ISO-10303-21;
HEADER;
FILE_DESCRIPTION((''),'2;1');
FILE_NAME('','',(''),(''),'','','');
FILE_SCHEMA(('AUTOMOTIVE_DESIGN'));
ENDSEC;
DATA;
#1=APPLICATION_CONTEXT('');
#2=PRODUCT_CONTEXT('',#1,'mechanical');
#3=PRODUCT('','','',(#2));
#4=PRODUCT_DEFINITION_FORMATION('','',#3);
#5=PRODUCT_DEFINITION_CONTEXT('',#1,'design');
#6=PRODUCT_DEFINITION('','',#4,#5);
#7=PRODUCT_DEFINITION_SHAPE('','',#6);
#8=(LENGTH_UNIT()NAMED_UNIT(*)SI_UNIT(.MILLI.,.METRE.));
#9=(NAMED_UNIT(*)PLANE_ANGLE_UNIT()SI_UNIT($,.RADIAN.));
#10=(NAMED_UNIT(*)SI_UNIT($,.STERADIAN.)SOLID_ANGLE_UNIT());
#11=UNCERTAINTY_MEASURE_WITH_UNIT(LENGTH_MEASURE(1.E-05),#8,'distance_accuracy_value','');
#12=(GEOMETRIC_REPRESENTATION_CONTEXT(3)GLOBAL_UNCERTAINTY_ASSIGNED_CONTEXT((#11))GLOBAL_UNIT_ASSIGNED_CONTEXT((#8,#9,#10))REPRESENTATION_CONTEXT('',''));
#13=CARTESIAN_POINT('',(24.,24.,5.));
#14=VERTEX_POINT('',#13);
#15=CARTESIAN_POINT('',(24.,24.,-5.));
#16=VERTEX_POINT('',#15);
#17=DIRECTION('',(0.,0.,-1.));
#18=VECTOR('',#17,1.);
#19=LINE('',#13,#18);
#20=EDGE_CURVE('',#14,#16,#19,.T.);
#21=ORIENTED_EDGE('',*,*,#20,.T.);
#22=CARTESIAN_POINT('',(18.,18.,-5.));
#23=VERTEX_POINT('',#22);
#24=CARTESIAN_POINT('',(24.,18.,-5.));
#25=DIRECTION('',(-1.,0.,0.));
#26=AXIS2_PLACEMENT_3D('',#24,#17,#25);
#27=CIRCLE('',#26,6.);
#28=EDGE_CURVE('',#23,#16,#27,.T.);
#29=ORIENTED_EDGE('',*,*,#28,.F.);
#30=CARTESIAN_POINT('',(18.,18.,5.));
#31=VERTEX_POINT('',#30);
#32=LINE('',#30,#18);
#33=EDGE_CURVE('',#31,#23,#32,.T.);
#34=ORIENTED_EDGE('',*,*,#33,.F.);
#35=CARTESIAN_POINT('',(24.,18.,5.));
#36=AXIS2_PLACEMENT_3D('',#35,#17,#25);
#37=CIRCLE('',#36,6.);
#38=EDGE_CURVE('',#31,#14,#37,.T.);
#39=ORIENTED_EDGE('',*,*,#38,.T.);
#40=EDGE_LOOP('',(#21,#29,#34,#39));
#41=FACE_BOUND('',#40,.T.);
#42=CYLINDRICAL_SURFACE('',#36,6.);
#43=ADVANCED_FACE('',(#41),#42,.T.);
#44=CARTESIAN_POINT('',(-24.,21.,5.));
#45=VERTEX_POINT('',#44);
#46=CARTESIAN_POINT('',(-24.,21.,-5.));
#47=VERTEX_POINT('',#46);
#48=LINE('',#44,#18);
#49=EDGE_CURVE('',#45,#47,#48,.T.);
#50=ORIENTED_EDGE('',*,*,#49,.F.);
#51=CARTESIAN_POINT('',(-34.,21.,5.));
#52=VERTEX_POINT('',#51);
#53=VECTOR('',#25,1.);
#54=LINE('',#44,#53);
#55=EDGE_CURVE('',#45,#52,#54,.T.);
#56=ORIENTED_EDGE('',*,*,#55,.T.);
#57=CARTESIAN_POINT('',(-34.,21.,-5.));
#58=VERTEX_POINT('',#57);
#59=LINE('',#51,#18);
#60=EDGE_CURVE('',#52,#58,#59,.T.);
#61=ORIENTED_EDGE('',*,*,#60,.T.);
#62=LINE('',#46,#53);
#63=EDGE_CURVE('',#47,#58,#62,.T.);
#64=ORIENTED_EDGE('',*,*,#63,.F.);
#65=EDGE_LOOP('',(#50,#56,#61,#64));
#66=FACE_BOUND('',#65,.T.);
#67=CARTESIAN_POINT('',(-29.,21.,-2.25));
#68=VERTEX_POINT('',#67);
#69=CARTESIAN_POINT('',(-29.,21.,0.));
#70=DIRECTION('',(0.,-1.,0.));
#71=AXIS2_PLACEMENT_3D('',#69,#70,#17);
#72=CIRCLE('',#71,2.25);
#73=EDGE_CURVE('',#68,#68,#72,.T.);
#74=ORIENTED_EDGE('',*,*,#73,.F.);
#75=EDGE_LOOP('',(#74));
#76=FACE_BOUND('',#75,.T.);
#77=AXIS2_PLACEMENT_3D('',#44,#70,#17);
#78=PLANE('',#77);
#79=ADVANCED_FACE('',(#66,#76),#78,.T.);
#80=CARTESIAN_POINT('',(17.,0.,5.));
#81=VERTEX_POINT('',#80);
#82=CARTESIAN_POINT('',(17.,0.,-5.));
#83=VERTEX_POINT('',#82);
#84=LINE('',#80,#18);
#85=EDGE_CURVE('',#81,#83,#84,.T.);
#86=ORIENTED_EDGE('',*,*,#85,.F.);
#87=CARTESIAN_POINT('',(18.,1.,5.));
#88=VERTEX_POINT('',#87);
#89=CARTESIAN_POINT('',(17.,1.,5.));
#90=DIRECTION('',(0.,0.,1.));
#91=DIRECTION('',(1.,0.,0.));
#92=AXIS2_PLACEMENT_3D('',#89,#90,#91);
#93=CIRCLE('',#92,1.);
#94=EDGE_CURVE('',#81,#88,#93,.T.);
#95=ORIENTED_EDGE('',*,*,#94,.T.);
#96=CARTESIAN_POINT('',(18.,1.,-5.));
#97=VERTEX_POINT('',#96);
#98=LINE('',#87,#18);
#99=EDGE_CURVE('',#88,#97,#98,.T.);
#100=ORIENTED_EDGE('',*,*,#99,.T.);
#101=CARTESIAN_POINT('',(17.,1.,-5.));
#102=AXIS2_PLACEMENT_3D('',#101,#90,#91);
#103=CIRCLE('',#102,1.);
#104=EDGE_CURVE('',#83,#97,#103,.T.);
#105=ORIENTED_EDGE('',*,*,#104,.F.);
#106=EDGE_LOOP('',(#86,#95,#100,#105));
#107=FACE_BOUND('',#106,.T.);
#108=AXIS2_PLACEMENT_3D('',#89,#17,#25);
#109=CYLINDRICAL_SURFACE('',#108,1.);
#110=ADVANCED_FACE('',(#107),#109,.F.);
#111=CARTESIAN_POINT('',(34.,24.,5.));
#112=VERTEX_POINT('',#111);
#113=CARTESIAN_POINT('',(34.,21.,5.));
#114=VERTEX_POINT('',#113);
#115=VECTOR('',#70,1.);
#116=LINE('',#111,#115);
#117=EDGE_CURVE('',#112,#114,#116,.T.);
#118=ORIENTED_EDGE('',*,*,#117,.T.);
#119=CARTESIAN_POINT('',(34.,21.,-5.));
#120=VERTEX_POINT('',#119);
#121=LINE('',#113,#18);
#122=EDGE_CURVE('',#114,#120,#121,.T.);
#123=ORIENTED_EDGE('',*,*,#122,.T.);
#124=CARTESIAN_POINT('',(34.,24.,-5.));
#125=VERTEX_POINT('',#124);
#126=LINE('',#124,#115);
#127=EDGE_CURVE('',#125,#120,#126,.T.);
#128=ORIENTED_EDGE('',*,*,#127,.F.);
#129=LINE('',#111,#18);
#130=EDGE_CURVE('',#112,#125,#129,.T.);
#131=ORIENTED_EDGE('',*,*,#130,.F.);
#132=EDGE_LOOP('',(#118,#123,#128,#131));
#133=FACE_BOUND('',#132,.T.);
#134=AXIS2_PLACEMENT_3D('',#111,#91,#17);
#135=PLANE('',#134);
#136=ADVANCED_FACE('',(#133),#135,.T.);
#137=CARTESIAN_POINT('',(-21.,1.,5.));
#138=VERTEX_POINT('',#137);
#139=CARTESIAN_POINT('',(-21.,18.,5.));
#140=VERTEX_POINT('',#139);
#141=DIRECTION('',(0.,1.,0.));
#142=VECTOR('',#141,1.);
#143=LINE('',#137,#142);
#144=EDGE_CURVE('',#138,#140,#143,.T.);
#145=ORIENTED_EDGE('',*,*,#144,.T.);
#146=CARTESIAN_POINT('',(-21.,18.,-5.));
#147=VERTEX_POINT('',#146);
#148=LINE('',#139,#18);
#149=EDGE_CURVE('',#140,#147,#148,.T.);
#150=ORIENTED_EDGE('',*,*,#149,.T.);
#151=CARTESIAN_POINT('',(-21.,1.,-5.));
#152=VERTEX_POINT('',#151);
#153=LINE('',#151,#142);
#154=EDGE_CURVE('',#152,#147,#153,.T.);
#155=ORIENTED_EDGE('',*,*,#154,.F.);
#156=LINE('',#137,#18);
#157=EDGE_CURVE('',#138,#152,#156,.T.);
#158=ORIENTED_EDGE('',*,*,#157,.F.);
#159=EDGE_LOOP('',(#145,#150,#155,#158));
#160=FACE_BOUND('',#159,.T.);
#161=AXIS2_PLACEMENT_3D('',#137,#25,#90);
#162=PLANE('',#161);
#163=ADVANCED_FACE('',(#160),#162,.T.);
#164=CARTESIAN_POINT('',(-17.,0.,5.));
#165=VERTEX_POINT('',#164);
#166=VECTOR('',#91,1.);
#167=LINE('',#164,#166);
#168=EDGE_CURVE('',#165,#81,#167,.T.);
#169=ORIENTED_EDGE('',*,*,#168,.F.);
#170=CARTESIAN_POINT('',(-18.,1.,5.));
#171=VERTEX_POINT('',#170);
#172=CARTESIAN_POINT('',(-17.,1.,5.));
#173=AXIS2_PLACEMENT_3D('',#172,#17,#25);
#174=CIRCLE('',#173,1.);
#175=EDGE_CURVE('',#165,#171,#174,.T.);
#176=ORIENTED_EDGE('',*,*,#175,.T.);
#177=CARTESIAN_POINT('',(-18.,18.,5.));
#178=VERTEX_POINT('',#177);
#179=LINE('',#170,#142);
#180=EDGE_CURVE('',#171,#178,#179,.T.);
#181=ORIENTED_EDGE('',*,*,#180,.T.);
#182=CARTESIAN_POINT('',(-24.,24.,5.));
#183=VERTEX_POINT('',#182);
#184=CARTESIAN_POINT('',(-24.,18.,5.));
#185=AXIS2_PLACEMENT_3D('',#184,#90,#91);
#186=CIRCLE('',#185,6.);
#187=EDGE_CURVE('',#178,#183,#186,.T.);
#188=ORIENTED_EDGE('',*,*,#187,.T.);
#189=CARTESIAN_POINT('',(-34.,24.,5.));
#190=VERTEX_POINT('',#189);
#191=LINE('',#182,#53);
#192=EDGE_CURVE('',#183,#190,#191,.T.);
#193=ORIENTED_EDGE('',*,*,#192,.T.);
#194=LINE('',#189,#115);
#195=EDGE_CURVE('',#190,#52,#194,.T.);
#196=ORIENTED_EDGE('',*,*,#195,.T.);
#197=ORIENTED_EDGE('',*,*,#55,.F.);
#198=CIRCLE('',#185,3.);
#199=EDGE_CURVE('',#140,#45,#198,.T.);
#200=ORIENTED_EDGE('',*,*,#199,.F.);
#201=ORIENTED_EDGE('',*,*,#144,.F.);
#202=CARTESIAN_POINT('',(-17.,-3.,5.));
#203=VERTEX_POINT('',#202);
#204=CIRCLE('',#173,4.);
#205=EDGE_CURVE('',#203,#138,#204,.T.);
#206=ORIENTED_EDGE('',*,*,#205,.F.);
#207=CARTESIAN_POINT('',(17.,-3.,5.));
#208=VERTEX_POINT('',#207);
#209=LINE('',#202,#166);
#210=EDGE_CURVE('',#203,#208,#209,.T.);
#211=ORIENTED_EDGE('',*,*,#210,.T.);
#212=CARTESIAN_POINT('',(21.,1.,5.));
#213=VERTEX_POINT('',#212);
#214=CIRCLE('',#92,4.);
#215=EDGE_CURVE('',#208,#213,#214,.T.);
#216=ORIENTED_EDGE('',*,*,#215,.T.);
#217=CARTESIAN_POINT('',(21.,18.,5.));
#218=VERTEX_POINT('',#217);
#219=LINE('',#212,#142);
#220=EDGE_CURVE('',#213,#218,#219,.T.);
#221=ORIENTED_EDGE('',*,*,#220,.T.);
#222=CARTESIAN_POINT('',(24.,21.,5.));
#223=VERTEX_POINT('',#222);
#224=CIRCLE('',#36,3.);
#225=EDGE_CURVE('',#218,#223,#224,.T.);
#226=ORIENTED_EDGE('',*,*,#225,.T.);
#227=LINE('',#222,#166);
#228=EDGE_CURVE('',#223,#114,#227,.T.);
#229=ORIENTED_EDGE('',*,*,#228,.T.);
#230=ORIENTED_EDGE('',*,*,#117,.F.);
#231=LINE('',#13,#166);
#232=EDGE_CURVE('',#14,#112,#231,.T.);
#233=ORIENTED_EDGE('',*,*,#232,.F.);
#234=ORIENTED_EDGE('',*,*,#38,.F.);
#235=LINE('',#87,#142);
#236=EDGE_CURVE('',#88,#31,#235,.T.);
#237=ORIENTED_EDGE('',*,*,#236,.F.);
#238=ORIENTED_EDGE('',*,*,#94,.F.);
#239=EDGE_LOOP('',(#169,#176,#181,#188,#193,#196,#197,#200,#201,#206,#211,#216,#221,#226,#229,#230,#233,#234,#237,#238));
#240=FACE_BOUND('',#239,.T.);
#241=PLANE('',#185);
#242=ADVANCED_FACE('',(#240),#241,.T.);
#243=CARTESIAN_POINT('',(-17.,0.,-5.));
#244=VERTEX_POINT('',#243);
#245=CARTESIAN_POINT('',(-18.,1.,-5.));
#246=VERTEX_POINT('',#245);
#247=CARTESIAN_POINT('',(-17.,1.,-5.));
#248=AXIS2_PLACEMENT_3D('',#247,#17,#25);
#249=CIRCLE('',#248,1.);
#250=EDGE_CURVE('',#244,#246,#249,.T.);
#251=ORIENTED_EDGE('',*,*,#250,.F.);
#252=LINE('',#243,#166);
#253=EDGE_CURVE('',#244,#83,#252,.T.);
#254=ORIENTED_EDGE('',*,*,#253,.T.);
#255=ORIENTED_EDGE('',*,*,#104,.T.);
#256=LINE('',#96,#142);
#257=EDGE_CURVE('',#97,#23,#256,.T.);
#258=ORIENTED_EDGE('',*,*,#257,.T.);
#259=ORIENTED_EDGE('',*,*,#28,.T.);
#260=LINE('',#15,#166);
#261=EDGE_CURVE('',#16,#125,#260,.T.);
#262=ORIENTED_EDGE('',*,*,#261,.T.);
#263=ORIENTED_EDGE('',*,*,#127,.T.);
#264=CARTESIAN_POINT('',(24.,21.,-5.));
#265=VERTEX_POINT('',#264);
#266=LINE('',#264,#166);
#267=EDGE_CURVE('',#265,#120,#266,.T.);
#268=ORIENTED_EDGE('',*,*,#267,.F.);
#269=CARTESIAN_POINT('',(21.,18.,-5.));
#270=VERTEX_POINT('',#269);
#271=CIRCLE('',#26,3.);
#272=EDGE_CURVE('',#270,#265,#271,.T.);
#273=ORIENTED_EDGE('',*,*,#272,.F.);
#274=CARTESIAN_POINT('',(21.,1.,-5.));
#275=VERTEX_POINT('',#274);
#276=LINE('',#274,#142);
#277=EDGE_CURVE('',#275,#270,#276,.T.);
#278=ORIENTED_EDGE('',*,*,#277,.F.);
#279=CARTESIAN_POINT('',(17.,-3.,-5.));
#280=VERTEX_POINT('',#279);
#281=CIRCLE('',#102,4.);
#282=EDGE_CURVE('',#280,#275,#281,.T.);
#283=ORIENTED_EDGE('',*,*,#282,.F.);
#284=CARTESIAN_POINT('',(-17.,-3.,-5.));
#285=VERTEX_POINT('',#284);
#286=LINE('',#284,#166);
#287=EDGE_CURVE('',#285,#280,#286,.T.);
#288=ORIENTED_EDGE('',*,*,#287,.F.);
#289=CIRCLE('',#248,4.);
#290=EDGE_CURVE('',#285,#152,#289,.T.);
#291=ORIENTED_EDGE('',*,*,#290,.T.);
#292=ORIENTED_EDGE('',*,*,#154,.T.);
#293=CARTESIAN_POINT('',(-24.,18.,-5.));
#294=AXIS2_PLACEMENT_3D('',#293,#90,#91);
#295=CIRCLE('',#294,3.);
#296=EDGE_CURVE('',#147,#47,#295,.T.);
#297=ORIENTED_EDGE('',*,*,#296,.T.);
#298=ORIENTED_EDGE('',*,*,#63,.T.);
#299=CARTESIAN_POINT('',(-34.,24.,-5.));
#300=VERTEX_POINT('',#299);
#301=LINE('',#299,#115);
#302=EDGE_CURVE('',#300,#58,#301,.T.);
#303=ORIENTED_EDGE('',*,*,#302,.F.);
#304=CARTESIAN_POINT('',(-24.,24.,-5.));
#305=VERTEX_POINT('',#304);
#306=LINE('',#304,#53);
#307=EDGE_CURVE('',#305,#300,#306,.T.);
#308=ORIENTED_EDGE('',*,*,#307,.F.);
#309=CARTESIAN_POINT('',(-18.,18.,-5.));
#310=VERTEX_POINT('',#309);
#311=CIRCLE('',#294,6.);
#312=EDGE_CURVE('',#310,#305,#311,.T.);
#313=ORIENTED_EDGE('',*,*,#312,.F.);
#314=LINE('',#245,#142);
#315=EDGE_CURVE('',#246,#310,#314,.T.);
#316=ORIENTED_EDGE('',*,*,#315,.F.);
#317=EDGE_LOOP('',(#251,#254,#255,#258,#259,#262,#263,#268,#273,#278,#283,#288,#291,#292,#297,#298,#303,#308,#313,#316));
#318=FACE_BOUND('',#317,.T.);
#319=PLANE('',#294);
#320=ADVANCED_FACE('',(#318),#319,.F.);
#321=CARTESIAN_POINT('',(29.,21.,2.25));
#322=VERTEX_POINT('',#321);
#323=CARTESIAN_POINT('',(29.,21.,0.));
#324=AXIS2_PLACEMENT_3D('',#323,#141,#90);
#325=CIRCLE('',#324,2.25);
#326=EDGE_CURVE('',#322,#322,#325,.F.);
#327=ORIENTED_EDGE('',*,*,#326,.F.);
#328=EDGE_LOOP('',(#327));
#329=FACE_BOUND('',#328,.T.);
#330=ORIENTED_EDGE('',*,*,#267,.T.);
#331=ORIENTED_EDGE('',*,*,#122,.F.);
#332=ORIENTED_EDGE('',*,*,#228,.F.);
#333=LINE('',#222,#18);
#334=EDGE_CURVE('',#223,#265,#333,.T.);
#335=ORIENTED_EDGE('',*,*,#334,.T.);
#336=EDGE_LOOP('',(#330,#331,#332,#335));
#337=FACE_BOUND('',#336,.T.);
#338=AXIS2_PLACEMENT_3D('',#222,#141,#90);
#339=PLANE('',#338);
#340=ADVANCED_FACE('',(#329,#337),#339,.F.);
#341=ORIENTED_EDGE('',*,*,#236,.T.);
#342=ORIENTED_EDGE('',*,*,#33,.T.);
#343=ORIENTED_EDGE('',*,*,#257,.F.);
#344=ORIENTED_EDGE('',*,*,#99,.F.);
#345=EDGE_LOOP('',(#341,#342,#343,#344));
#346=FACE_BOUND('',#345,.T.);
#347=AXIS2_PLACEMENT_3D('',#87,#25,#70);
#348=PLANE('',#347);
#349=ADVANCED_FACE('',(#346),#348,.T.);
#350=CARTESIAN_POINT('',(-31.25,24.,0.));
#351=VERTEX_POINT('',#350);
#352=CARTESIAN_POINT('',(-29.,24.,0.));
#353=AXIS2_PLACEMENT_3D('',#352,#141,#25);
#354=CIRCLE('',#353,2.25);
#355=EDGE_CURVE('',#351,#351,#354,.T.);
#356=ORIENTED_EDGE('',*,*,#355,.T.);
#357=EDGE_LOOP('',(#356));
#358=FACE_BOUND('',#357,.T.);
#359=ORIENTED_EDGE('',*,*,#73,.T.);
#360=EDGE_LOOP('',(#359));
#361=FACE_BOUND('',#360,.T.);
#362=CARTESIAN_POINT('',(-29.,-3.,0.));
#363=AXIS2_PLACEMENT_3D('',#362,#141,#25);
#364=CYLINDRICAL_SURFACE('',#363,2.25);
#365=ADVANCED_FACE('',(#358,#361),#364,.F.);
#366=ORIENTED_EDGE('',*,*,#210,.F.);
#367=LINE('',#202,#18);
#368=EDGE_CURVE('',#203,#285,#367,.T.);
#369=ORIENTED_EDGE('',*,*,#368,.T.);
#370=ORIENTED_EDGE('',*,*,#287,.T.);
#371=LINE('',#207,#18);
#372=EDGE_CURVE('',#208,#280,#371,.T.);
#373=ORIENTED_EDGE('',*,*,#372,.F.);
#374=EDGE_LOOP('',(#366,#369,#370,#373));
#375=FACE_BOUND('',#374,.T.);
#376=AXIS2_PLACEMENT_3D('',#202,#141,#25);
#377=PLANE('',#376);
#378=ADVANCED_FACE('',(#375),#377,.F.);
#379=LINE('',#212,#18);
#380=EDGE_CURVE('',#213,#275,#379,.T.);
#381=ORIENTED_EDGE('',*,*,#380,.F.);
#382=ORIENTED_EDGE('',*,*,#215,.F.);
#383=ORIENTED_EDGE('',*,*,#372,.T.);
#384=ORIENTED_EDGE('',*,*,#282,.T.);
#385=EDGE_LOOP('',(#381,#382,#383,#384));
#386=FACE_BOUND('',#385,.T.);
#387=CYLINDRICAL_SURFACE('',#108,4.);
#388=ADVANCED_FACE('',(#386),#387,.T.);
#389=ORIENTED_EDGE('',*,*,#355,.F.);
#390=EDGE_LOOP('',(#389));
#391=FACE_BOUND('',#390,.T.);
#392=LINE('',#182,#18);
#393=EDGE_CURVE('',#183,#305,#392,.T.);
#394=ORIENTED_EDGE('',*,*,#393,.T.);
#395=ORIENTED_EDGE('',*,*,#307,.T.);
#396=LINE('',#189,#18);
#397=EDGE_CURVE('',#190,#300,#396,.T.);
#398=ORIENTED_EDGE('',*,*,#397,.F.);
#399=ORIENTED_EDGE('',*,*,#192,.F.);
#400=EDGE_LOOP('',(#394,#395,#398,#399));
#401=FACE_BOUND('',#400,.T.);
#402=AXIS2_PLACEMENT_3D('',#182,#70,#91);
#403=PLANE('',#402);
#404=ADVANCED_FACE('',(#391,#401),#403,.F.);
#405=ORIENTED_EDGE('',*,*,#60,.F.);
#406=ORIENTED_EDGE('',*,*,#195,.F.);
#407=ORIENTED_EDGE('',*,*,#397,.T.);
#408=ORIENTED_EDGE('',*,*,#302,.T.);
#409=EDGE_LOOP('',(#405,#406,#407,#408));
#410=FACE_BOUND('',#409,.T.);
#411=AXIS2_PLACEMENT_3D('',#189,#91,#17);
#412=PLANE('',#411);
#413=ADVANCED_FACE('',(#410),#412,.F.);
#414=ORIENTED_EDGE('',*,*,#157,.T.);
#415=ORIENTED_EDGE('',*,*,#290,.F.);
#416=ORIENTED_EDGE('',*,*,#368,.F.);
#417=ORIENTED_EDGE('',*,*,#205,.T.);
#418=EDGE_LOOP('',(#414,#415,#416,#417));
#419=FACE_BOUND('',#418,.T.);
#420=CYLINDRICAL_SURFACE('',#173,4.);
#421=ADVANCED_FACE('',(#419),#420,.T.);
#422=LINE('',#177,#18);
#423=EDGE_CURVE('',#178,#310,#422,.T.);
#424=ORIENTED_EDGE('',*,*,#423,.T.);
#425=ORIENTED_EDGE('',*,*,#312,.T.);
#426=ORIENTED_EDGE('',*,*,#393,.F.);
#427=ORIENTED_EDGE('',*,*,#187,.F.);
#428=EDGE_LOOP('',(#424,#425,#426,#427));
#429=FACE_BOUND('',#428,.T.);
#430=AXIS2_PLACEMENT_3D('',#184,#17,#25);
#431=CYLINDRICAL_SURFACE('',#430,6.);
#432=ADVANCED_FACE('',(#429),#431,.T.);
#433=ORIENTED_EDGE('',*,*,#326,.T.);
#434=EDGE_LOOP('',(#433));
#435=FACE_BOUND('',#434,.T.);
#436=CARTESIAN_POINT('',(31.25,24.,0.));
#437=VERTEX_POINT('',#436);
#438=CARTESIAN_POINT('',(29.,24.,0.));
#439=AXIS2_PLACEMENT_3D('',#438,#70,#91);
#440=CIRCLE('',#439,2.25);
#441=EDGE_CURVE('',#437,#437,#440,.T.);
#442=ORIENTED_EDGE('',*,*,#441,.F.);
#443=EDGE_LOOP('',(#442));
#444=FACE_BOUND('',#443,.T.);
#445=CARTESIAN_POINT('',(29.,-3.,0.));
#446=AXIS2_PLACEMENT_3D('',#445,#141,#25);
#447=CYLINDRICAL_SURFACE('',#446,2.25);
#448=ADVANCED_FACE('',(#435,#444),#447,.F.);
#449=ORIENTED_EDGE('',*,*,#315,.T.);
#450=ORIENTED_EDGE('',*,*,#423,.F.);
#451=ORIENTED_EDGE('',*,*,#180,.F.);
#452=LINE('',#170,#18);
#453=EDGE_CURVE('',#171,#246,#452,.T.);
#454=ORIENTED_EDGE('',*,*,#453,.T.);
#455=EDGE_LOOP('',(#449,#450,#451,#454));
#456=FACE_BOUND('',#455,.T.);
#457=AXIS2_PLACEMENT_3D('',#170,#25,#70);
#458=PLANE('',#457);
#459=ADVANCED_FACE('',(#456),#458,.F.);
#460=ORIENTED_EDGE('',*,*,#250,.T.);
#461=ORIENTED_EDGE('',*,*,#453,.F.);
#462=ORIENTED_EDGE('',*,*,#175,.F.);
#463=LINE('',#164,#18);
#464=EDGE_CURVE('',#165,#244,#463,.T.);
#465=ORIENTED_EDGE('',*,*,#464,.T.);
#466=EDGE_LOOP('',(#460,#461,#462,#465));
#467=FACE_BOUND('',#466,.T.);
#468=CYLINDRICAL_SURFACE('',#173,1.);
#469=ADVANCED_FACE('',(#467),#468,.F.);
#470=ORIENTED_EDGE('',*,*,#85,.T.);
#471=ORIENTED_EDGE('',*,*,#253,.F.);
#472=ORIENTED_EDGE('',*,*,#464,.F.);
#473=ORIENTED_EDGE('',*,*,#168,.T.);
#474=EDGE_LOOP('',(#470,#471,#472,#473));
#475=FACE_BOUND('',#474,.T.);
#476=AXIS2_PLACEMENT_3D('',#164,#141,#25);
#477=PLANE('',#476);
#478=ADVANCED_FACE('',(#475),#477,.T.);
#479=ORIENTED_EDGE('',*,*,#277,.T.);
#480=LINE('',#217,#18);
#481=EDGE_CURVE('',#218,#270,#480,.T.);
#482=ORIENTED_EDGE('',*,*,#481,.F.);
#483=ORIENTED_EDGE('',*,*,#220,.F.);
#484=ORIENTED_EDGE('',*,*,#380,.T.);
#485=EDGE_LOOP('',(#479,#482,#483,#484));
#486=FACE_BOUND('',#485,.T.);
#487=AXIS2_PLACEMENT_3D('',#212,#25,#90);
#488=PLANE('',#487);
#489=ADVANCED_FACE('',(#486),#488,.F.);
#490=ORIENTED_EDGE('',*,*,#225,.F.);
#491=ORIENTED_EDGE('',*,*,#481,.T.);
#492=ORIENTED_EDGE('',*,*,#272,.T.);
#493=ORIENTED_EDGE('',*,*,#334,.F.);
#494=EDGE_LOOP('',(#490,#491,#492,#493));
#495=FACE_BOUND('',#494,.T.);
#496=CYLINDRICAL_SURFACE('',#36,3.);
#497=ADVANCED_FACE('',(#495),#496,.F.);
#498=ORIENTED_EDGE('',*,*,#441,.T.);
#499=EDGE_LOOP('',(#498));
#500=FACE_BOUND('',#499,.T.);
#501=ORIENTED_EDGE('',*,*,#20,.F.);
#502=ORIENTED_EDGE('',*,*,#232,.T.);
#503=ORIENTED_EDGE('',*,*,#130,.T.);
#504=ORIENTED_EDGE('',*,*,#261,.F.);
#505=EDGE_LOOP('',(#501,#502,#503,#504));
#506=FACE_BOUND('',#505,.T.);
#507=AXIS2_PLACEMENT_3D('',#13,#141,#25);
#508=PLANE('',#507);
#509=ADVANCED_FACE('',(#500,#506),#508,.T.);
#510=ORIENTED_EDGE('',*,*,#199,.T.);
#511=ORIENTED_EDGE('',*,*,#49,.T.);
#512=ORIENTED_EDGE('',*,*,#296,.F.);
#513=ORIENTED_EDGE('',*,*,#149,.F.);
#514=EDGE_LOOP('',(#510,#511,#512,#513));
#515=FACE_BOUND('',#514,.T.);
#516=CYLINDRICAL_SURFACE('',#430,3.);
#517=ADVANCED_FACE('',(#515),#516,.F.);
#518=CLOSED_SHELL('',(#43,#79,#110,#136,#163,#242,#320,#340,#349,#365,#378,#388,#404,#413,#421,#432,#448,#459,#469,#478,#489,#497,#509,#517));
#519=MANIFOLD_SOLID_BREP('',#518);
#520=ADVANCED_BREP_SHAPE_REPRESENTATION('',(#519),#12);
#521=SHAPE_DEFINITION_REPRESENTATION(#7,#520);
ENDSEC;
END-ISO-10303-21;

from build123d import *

# Parameters (mm, degrees)
BOSS_EXTRUDE1_DEPTH = 5
SKETCH2_R           = 2.25
CUT_EXTRUDE1_DEPTH  = 44.703546767


with BuildPart() as part:
    # Sketch1 → Boss-Extrude1 (new, symmetric)
    with BuildSketch(Plane.XY):
        with BuildLine():
            Line((-17, 0), (17, 0))
            ThreePointArc((17, 0), (17.707106781, 0.292893219), (18, 1))
            Line((18, 1), (18, 18))
            ThreePointArc((18, 18), (19.757359313, 22.242640687), (24, 24))
            Line((24, 24), (34, 24))
            Line((34, 24), (34, 21))
            Line((34, 21), (24, 21))
            ThreePointArc((24, 21), (21.878679656, 20.121320344), (21, 18))
            Line((21, 18), (21, 1))
            ThreePointArc((21, 1), (19.828427125, -1.828427125), (17, -3))
            Line((17, -3), (-17, -3))
            ThreePointArc((-17, -3), (-19.828427125, -1.828427125), (-21, 1))
            Line((-21, 1), (-21, 18))
            ThreePointArc((-21, 18), (-21.878679656, 20.121320344), (-24, 21))
            Line((-24, 21), (-34, 21))
            Line((-34, 21), (-34, 24))
            Line((-34, 24), (-24, 24))
            ThreePointArc((-24, 24), (-19.757359313, 22.242640687), (-18, 18))
            Line((-18, 18), (-18, 1))
            ThreePointArc((-18, 1), (-17.707106781, 0.292893219), (-17, 0))
        make_face()
    extrude(amount=BOSS_EXTRUDE1_DEPTH, both=True)

    # Sketch2 → Cut-Extrude1 (cut, through all)
    with BuildSketch(Plane(origin=(0, 24, 0), x_dir=(1, 0, 0), z_dir=(0, 1, 0))):
        with Locations(Location((-29, 0, 0), (0, 0, 180))):
            Circle(SKETCH2_R)
    cut_extrude1 = extrude(amount=-CUT_EXTRUDE1_DEPTH, mode=Mode.SUBTRACT)

    # Mirror1: Cut-Extrude1 across plane
    add(cut_extrude1.mirror(Plane(origin=(0, 0, 0), x_dir=(0, 0, 1), z_dir=(1, 0, 0))), mode=Mode.SUBTRACT)


solid = part.part
